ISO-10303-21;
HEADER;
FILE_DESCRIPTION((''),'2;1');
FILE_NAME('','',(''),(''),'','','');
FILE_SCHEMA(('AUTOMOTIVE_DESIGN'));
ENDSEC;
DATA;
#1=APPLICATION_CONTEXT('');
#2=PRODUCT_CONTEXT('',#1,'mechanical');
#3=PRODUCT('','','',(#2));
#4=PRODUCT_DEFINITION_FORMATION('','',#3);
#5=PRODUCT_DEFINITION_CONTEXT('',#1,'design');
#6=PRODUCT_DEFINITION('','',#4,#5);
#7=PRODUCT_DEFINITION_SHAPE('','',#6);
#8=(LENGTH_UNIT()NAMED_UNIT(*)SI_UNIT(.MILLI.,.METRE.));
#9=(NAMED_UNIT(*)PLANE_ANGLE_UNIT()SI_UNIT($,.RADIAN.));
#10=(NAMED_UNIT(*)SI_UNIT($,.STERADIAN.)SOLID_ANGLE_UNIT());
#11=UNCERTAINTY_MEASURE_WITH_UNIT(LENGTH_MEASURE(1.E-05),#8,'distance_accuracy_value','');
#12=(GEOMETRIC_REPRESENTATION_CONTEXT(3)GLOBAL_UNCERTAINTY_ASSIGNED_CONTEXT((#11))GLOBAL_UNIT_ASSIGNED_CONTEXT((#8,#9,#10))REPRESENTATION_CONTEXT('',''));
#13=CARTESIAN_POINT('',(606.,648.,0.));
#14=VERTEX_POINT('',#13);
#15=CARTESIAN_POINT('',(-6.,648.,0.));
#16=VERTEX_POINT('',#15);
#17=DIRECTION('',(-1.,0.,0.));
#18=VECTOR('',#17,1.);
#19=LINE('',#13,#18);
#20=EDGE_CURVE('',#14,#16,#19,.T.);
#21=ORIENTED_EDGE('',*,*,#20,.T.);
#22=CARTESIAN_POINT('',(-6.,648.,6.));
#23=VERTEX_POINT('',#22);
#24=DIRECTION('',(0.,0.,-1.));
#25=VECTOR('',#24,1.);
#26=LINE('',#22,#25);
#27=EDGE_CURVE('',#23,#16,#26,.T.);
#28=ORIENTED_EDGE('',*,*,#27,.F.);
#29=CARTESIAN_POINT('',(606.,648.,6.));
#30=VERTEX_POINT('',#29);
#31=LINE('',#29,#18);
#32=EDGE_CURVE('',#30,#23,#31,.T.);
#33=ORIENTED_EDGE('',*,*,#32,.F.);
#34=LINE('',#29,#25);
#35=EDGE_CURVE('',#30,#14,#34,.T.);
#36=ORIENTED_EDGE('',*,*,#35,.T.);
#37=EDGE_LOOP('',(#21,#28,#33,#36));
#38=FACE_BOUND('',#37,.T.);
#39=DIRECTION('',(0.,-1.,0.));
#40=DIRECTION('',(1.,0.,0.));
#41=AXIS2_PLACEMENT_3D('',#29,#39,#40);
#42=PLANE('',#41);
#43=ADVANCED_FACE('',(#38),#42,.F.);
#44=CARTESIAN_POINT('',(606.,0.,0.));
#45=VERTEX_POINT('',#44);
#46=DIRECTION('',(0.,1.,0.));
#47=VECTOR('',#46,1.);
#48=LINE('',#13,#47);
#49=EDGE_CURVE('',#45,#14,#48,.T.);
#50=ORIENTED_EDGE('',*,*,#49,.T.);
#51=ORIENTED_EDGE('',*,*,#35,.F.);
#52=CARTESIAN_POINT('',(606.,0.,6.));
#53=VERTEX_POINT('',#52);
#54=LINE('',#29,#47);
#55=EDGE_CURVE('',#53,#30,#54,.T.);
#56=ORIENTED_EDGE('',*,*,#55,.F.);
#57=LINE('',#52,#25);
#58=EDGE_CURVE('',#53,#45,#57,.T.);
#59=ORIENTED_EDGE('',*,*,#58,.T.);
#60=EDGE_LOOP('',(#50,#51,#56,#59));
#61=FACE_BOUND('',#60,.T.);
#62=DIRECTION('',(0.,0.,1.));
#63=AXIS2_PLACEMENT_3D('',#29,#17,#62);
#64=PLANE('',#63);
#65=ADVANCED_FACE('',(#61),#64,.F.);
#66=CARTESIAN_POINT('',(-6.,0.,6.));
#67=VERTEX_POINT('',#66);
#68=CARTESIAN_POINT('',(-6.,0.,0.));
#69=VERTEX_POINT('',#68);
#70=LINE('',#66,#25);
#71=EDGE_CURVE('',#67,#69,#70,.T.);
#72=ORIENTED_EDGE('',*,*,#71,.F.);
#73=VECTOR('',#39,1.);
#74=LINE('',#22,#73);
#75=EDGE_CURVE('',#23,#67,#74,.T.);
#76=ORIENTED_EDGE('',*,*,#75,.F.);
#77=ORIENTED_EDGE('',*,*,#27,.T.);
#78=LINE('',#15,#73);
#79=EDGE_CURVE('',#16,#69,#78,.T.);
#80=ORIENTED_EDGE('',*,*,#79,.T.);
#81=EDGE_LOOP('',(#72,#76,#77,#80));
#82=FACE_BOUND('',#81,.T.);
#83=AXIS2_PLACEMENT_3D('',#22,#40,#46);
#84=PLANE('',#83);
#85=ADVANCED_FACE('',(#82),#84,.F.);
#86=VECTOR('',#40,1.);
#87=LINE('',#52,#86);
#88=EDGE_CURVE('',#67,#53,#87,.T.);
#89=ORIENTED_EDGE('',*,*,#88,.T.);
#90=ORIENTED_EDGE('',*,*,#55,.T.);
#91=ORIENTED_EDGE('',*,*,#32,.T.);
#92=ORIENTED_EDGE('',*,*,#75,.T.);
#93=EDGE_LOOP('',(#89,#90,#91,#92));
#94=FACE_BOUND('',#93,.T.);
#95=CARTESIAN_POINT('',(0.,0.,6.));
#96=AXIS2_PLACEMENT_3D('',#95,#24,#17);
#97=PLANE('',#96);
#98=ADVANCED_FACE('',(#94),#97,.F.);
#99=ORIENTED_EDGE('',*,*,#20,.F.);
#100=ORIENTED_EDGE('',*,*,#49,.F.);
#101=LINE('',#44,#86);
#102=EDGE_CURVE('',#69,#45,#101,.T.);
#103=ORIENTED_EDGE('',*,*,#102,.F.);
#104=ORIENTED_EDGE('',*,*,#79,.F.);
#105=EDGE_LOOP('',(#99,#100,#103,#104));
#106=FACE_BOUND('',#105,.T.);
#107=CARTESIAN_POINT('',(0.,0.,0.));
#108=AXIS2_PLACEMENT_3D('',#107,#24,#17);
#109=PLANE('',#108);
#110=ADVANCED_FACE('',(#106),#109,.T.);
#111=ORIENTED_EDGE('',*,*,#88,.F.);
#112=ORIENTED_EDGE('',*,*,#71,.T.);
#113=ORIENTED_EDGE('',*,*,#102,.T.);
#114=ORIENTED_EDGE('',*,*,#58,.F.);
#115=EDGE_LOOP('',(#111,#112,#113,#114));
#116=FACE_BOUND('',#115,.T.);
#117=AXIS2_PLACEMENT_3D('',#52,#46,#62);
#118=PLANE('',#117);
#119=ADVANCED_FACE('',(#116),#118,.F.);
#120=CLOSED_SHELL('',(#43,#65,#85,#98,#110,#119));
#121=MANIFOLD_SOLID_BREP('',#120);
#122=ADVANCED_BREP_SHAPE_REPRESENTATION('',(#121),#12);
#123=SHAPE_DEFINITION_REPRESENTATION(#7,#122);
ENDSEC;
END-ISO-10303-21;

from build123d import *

# Parameters (mm, degrees)
SKETCH_1_W      = 612
SKETCH_1_H      = 648
EXTRUDE_1_DEPTH = 6


with BuildPart() as part:
    # Эскиз1 → Бобышка-Вытянуть1 (new body)
    with BuildSketch(Plane.XY):
        with Locations((300, 324)):
            Rectangle(SKETCH_1_W, SKETCH_1_H)
    extrude(amount=EXTRUDE_1_DEPTH)


solid = part.part
